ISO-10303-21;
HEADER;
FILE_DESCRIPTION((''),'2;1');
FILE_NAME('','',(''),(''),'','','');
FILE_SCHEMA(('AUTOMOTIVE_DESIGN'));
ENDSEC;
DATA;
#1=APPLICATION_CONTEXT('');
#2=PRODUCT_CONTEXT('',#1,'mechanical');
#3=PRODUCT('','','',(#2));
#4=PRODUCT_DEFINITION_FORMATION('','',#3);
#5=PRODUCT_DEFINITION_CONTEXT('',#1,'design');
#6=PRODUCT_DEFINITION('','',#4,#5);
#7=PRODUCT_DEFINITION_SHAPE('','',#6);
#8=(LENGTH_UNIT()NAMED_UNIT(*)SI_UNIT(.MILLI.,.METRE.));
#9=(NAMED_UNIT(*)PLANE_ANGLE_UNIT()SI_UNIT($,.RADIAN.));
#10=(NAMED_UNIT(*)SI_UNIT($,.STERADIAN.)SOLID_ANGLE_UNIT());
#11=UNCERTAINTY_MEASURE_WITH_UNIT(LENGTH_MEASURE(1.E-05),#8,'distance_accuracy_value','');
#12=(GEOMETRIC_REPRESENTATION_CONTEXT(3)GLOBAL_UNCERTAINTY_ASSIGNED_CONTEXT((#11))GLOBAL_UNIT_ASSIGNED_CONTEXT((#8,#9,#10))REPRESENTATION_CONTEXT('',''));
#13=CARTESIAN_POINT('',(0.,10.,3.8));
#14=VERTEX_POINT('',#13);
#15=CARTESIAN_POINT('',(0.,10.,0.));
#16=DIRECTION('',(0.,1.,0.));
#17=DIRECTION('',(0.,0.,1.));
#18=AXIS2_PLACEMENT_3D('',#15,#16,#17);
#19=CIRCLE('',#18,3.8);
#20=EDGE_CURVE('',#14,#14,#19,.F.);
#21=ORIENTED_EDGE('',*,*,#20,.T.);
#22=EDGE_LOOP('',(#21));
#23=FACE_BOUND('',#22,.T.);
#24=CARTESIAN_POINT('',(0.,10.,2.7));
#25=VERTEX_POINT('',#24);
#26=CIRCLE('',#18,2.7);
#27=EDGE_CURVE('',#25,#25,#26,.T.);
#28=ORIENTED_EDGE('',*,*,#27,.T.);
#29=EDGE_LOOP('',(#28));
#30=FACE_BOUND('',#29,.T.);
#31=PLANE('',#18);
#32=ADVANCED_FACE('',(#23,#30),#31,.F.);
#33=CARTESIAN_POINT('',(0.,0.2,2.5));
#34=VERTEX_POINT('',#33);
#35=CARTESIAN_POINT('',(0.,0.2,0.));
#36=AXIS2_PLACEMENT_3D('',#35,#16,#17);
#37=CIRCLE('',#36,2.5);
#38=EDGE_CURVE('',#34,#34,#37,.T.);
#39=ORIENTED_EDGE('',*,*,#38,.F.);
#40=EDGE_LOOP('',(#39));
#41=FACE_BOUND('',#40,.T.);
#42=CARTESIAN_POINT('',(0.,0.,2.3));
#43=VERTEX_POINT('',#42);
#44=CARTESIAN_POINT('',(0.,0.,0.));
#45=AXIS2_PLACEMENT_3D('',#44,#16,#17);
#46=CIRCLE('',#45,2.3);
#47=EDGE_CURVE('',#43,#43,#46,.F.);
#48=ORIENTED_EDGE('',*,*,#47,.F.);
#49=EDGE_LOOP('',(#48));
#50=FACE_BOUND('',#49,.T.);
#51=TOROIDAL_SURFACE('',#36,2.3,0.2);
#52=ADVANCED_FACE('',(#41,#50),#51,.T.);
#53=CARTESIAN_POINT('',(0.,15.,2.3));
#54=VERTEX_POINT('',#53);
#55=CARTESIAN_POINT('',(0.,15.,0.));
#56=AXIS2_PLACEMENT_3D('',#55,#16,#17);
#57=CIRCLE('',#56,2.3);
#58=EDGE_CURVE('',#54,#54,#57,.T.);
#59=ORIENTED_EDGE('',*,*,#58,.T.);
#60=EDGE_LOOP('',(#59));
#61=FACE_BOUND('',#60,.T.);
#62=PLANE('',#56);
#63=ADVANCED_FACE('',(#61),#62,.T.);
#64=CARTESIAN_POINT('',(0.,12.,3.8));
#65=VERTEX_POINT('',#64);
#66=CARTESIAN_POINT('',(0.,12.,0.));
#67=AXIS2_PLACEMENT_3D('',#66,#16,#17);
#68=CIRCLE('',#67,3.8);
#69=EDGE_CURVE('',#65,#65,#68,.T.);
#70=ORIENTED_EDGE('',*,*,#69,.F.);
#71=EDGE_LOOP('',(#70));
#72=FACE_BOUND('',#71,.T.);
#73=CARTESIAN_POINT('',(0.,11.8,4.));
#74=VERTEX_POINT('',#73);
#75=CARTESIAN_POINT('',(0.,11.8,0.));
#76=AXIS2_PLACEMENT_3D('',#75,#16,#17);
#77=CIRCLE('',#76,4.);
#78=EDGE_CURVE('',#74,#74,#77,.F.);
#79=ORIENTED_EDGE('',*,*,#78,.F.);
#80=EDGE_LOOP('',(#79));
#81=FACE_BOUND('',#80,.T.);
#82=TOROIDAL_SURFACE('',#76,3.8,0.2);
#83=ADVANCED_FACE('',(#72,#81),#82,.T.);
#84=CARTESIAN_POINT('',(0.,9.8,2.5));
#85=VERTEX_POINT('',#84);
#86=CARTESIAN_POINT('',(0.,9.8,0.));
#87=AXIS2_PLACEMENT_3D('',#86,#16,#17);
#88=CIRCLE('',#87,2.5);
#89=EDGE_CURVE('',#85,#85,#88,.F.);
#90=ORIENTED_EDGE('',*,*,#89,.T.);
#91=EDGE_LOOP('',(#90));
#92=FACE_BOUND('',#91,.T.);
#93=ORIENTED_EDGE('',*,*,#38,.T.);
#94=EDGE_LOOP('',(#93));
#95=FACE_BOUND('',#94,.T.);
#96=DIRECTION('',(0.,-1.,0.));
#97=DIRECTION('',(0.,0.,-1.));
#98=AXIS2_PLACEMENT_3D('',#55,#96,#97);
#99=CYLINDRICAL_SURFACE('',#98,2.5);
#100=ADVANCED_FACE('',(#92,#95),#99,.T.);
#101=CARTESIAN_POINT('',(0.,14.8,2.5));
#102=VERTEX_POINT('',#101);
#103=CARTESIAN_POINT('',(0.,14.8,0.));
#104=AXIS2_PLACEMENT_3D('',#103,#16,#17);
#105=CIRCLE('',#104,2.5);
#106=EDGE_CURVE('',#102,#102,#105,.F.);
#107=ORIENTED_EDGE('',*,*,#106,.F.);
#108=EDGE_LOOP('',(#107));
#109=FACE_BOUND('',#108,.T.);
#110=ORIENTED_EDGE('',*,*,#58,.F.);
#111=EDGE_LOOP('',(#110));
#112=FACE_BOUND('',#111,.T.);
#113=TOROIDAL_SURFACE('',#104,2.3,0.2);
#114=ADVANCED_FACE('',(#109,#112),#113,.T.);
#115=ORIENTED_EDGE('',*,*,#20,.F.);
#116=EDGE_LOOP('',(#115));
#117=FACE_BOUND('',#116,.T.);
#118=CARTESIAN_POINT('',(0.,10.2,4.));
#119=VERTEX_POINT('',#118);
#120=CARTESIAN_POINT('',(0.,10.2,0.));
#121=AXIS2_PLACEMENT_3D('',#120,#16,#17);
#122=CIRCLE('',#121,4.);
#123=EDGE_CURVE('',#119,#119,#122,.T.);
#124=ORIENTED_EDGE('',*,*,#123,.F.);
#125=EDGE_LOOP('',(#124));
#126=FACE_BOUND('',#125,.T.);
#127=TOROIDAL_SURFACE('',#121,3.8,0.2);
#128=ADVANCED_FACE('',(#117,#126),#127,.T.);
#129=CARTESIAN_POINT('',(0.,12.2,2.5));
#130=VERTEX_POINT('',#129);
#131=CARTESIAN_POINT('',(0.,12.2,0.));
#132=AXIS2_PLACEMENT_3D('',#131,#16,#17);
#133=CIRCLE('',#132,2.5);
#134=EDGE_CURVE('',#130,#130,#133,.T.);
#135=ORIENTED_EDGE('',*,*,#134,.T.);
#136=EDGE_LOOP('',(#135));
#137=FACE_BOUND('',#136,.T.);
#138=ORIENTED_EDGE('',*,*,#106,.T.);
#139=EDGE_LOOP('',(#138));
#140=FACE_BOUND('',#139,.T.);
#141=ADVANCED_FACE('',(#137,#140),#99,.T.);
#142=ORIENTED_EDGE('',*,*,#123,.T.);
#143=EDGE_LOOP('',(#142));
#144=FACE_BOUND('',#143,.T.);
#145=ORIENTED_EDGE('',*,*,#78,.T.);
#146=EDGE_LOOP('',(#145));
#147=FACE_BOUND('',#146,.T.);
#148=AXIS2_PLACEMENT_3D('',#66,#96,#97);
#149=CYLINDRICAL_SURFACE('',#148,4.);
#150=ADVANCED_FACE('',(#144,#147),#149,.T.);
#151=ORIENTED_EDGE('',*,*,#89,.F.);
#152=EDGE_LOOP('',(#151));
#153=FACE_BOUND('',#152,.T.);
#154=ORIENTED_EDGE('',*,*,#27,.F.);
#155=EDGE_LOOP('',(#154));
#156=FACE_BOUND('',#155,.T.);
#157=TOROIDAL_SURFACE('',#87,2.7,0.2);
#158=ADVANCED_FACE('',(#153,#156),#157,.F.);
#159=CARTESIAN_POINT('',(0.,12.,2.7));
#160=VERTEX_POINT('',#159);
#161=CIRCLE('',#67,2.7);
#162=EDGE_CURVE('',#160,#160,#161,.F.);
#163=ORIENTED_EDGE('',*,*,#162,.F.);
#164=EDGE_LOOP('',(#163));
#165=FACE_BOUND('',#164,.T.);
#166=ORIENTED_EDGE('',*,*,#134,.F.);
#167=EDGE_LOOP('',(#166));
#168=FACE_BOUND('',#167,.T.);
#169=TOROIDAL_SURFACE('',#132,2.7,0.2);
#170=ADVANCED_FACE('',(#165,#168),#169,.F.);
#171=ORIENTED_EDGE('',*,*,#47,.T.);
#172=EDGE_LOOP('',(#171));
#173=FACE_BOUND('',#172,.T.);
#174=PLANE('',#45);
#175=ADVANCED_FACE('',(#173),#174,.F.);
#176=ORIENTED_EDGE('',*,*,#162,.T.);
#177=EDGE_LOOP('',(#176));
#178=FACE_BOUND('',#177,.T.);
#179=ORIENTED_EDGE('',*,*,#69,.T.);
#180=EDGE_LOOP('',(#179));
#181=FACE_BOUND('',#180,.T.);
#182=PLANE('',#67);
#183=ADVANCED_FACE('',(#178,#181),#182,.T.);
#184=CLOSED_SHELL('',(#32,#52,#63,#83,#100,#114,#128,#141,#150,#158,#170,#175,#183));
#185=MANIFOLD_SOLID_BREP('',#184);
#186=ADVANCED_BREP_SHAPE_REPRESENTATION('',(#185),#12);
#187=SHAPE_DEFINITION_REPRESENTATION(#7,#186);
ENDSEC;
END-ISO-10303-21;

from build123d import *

# Parameters (mm, degrees)
SKETCH1_R           = 2.5
BOSS_EXTRUDE1_DEPTH = 15
SKETCH2_R           = 4
BOSS_EXTRUDE2_DEPTH = 2
FILLET1_R           = 0.2


with BuildPart() as part:
    # Sketch1 → Boss-Extrude1 (new body)
    with BuildSketch(Plane(origin=(0, 0, 0), x_dir=(1, 0, 0), z_dir=(0, 1, 0))):
        with Locations(Location((0, 0, 0), (0, 0, 270))):
            Circle(SKETCH1_R)
    extrude(amount=BOSS_EXTRUDE1_DEPTH)

    # Sketch2 → Boss-Extrude2 (add)
    with BuildSketch(Plane(origin=(0, 10, 0), x_dir=(1, 0, 0), z_dir=(0, 1, 0))):
        with Locations(Location((0, 0, 0), (0, 0, 270))):
            Circle(SKETCH2_R)
    extrude(amount=BOSS_EXTRUDE2_DEPTH)

    # Fillet1
    fillet1_edges = [part.edges().sort_by_distance(p)[0] for p in [
        (0, 0, -2.5),
        (0, 15, -2.5),
        (0, 10, -2.5),
        (0, 12, -2.5),
        (0, 10, -4),
        (0, 12, -4),
    ]]
    fillet(fillet1_edges, radius=FILLET1_R)


solid = part.part
